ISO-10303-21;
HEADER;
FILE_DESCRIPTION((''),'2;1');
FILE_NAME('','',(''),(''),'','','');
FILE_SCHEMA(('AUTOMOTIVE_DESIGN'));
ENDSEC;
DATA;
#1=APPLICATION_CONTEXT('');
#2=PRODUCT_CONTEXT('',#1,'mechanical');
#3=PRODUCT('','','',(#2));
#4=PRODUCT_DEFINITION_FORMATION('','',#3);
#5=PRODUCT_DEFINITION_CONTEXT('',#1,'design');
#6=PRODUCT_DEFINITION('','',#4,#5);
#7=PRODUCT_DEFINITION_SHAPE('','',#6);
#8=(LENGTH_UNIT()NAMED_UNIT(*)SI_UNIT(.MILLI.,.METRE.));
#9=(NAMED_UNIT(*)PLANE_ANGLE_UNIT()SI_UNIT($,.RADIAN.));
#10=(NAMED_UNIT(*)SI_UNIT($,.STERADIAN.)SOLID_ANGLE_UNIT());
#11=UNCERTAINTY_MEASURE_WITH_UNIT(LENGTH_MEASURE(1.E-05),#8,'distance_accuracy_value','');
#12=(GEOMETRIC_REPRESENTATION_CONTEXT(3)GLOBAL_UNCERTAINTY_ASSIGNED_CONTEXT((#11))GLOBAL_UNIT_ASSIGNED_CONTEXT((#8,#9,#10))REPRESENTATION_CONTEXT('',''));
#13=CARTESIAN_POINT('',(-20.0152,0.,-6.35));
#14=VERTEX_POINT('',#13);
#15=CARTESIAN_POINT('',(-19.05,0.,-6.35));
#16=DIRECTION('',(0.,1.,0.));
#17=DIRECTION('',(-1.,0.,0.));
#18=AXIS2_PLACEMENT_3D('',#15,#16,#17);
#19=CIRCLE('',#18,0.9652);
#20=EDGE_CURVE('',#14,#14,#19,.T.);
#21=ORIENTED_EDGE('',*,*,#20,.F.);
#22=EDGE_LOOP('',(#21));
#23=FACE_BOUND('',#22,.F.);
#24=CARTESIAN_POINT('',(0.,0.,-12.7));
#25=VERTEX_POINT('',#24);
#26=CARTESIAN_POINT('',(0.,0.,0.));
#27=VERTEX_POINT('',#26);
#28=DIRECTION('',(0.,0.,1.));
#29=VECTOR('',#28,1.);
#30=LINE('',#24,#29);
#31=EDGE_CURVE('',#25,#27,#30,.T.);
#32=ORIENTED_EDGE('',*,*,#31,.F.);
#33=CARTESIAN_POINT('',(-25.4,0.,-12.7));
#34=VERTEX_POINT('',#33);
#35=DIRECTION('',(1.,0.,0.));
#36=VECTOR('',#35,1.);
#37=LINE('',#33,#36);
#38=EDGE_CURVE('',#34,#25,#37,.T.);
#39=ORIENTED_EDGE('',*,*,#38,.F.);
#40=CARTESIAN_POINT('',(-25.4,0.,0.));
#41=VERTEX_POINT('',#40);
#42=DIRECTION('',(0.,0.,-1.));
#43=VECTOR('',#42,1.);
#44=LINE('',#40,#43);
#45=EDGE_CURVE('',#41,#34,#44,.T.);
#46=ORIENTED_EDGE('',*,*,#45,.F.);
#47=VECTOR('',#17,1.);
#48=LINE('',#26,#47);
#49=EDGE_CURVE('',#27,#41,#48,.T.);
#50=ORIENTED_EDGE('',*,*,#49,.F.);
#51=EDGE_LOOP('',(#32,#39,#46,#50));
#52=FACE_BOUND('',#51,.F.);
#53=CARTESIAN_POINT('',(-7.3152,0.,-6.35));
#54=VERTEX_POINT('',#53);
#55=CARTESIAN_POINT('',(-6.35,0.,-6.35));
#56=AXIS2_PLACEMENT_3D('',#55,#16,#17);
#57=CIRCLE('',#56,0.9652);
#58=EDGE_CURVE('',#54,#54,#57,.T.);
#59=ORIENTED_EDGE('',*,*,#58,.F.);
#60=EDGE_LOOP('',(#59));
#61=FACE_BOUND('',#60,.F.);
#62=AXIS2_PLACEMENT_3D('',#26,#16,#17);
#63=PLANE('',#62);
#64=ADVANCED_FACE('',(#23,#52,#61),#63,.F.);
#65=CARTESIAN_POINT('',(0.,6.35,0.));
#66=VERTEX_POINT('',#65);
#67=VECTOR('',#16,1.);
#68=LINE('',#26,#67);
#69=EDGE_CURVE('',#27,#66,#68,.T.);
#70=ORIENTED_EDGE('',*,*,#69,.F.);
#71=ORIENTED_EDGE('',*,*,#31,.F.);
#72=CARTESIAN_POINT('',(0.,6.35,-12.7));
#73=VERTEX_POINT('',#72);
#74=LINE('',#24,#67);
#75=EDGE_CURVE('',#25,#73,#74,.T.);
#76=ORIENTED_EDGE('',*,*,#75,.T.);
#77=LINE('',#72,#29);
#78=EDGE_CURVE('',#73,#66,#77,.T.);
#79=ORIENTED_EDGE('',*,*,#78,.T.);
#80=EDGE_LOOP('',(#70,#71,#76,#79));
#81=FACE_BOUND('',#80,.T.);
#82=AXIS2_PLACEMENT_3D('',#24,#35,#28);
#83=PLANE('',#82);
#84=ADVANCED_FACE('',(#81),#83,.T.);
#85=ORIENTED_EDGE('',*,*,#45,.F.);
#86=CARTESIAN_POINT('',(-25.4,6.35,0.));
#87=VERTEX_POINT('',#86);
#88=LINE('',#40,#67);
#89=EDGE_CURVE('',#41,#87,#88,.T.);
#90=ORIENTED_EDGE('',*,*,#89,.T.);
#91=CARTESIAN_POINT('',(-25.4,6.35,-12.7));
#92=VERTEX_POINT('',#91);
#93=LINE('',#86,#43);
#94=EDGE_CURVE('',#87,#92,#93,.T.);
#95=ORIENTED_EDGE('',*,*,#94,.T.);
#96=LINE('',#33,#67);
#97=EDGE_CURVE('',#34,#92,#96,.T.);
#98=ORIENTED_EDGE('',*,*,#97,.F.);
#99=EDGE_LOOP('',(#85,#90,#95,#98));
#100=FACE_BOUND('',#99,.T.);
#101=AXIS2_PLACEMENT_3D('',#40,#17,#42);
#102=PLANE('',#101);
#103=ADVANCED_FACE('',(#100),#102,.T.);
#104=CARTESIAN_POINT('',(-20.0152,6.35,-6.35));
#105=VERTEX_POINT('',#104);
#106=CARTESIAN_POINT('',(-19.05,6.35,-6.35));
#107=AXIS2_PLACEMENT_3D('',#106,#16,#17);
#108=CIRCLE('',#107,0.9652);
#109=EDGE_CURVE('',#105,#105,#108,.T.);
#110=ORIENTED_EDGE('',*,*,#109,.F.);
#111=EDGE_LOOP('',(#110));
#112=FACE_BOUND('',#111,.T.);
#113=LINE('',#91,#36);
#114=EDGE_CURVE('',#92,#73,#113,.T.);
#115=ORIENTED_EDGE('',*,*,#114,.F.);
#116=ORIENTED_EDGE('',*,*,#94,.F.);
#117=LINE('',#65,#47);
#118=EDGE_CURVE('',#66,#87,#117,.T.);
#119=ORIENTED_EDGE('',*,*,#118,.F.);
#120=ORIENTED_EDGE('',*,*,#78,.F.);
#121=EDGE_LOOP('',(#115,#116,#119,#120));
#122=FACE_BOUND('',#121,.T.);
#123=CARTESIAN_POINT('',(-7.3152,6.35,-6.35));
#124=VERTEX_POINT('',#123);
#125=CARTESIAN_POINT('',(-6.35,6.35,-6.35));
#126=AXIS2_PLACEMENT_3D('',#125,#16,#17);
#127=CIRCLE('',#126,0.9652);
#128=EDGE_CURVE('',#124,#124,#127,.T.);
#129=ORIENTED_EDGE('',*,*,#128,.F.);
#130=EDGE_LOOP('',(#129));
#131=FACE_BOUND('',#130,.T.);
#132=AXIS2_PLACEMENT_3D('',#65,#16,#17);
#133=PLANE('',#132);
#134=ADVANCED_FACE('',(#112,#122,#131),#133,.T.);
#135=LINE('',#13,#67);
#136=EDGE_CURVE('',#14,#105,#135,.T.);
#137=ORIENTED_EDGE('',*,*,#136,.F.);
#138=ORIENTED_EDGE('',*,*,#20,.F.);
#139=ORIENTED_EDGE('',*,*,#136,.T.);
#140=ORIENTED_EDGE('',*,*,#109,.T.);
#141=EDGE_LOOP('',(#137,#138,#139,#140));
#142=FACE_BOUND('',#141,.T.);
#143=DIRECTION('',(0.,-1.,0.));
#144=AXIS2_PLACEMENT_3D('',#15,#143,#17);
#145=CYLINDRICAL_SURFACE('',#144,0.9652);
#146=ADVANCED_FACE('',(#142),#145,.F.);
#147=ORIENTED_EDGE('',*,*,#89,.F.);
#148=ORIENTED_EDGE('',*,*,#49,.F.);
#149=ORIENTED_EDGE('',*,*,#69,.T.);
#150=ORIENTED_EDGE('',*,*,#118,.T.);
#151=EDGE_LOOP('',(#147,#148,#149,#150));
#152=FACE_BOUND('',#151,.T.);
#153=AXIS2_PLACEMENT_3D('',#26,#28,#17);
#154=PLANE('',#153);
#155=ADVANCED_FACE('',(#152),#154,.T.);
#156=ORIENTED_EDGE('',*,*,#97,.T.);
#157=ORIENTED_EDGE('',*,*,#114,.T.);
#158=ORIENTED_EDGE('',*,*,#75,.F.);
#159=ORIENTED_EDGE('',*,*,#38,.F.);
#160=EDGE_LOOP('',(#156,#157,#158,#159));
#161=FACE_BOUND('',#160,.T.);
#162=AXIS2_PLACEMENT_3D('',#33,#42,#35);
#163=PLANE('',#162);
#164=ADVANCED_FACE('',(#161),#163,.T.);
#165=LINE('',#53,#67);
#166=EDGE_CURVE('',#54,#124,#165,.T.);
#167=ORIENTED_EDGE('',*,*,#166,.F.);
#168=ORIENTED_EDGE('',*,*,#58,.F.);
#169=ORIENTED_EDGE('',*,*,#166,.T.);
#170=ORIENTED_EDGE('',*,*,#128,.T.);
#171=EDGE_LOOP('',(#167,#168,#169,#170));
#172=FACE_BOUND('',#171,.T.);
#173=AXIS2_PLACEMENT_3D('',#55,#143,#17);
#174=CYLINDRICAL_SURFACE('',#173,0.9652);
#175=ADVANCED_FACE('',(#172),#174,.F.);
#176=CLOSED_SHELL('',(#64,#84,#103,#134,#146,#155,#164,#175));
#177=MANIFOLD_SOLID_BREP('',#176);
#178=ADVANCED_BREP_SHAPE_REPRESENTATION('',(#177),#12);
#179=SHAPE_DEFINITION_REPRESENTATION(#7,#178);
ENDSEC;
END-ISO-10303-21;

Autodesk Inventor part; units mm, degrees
ref_plane "YZ Plane" through (0, 0, 0) normal (1, 0, 0) x (0, 1, 0)
ref_plane "XZ Plane" through (0, 0, 0) normal (0, 1, 0) x (-1, 0, 0)
ref_plane "XY Plane" through (0, 0, 0) normal (0, 0, 1) x (1, 0, 0)
sketch "Sketch1" plane through (0, 0, 0) normal (0, 1, 0) x (-1, 0, 0)
  line L0 (0, 0) -> (25.4, 0)
  line L1 (25.4, 0) -> (25.4, -12.7)
  line L2 (25.4, -12.7) -> (0, -12.7)
  line L3 (0, -12.7) -> (0, 0)
  line L4 (25.4, -6.35) -> (0, -6.35) construction
  circle A0 centre (19.05, -6.35) radius 0.9652
  circle A1 centre (6.35, -6.35) radius 0.9652
  dimension "d0" = 12.7
  dimension "d1" = 25.4
  dimension "d2" = 1.9304
  dimension "d3" = 12.7
  dimension "d4" = 6.35
extrude "Extrusion1" add sketch "Sketch1" along normal blind 6.35
sketch "Sketch2" plane through (0, 6.35, 0) normal (0, 1, 0) x (1, 0, 0)
  line L0 (0, 12.7) -> (-25.4, 12.7) projected
  line L1 (-25.4, 12.7) -> (-25.4, 0) projected
  line L2 (-25.4, 0) -> (0, 0) projected
  line L3 (0, 0) -> (0, 12.7) projected
  circle A0 centre (-6.35, 6.35) radius 0.9652 projected
  circle A1 centre (-19.05, 6.35) radius 0.9652 projected
properties part number "front delrin" material "UHMW, White"
